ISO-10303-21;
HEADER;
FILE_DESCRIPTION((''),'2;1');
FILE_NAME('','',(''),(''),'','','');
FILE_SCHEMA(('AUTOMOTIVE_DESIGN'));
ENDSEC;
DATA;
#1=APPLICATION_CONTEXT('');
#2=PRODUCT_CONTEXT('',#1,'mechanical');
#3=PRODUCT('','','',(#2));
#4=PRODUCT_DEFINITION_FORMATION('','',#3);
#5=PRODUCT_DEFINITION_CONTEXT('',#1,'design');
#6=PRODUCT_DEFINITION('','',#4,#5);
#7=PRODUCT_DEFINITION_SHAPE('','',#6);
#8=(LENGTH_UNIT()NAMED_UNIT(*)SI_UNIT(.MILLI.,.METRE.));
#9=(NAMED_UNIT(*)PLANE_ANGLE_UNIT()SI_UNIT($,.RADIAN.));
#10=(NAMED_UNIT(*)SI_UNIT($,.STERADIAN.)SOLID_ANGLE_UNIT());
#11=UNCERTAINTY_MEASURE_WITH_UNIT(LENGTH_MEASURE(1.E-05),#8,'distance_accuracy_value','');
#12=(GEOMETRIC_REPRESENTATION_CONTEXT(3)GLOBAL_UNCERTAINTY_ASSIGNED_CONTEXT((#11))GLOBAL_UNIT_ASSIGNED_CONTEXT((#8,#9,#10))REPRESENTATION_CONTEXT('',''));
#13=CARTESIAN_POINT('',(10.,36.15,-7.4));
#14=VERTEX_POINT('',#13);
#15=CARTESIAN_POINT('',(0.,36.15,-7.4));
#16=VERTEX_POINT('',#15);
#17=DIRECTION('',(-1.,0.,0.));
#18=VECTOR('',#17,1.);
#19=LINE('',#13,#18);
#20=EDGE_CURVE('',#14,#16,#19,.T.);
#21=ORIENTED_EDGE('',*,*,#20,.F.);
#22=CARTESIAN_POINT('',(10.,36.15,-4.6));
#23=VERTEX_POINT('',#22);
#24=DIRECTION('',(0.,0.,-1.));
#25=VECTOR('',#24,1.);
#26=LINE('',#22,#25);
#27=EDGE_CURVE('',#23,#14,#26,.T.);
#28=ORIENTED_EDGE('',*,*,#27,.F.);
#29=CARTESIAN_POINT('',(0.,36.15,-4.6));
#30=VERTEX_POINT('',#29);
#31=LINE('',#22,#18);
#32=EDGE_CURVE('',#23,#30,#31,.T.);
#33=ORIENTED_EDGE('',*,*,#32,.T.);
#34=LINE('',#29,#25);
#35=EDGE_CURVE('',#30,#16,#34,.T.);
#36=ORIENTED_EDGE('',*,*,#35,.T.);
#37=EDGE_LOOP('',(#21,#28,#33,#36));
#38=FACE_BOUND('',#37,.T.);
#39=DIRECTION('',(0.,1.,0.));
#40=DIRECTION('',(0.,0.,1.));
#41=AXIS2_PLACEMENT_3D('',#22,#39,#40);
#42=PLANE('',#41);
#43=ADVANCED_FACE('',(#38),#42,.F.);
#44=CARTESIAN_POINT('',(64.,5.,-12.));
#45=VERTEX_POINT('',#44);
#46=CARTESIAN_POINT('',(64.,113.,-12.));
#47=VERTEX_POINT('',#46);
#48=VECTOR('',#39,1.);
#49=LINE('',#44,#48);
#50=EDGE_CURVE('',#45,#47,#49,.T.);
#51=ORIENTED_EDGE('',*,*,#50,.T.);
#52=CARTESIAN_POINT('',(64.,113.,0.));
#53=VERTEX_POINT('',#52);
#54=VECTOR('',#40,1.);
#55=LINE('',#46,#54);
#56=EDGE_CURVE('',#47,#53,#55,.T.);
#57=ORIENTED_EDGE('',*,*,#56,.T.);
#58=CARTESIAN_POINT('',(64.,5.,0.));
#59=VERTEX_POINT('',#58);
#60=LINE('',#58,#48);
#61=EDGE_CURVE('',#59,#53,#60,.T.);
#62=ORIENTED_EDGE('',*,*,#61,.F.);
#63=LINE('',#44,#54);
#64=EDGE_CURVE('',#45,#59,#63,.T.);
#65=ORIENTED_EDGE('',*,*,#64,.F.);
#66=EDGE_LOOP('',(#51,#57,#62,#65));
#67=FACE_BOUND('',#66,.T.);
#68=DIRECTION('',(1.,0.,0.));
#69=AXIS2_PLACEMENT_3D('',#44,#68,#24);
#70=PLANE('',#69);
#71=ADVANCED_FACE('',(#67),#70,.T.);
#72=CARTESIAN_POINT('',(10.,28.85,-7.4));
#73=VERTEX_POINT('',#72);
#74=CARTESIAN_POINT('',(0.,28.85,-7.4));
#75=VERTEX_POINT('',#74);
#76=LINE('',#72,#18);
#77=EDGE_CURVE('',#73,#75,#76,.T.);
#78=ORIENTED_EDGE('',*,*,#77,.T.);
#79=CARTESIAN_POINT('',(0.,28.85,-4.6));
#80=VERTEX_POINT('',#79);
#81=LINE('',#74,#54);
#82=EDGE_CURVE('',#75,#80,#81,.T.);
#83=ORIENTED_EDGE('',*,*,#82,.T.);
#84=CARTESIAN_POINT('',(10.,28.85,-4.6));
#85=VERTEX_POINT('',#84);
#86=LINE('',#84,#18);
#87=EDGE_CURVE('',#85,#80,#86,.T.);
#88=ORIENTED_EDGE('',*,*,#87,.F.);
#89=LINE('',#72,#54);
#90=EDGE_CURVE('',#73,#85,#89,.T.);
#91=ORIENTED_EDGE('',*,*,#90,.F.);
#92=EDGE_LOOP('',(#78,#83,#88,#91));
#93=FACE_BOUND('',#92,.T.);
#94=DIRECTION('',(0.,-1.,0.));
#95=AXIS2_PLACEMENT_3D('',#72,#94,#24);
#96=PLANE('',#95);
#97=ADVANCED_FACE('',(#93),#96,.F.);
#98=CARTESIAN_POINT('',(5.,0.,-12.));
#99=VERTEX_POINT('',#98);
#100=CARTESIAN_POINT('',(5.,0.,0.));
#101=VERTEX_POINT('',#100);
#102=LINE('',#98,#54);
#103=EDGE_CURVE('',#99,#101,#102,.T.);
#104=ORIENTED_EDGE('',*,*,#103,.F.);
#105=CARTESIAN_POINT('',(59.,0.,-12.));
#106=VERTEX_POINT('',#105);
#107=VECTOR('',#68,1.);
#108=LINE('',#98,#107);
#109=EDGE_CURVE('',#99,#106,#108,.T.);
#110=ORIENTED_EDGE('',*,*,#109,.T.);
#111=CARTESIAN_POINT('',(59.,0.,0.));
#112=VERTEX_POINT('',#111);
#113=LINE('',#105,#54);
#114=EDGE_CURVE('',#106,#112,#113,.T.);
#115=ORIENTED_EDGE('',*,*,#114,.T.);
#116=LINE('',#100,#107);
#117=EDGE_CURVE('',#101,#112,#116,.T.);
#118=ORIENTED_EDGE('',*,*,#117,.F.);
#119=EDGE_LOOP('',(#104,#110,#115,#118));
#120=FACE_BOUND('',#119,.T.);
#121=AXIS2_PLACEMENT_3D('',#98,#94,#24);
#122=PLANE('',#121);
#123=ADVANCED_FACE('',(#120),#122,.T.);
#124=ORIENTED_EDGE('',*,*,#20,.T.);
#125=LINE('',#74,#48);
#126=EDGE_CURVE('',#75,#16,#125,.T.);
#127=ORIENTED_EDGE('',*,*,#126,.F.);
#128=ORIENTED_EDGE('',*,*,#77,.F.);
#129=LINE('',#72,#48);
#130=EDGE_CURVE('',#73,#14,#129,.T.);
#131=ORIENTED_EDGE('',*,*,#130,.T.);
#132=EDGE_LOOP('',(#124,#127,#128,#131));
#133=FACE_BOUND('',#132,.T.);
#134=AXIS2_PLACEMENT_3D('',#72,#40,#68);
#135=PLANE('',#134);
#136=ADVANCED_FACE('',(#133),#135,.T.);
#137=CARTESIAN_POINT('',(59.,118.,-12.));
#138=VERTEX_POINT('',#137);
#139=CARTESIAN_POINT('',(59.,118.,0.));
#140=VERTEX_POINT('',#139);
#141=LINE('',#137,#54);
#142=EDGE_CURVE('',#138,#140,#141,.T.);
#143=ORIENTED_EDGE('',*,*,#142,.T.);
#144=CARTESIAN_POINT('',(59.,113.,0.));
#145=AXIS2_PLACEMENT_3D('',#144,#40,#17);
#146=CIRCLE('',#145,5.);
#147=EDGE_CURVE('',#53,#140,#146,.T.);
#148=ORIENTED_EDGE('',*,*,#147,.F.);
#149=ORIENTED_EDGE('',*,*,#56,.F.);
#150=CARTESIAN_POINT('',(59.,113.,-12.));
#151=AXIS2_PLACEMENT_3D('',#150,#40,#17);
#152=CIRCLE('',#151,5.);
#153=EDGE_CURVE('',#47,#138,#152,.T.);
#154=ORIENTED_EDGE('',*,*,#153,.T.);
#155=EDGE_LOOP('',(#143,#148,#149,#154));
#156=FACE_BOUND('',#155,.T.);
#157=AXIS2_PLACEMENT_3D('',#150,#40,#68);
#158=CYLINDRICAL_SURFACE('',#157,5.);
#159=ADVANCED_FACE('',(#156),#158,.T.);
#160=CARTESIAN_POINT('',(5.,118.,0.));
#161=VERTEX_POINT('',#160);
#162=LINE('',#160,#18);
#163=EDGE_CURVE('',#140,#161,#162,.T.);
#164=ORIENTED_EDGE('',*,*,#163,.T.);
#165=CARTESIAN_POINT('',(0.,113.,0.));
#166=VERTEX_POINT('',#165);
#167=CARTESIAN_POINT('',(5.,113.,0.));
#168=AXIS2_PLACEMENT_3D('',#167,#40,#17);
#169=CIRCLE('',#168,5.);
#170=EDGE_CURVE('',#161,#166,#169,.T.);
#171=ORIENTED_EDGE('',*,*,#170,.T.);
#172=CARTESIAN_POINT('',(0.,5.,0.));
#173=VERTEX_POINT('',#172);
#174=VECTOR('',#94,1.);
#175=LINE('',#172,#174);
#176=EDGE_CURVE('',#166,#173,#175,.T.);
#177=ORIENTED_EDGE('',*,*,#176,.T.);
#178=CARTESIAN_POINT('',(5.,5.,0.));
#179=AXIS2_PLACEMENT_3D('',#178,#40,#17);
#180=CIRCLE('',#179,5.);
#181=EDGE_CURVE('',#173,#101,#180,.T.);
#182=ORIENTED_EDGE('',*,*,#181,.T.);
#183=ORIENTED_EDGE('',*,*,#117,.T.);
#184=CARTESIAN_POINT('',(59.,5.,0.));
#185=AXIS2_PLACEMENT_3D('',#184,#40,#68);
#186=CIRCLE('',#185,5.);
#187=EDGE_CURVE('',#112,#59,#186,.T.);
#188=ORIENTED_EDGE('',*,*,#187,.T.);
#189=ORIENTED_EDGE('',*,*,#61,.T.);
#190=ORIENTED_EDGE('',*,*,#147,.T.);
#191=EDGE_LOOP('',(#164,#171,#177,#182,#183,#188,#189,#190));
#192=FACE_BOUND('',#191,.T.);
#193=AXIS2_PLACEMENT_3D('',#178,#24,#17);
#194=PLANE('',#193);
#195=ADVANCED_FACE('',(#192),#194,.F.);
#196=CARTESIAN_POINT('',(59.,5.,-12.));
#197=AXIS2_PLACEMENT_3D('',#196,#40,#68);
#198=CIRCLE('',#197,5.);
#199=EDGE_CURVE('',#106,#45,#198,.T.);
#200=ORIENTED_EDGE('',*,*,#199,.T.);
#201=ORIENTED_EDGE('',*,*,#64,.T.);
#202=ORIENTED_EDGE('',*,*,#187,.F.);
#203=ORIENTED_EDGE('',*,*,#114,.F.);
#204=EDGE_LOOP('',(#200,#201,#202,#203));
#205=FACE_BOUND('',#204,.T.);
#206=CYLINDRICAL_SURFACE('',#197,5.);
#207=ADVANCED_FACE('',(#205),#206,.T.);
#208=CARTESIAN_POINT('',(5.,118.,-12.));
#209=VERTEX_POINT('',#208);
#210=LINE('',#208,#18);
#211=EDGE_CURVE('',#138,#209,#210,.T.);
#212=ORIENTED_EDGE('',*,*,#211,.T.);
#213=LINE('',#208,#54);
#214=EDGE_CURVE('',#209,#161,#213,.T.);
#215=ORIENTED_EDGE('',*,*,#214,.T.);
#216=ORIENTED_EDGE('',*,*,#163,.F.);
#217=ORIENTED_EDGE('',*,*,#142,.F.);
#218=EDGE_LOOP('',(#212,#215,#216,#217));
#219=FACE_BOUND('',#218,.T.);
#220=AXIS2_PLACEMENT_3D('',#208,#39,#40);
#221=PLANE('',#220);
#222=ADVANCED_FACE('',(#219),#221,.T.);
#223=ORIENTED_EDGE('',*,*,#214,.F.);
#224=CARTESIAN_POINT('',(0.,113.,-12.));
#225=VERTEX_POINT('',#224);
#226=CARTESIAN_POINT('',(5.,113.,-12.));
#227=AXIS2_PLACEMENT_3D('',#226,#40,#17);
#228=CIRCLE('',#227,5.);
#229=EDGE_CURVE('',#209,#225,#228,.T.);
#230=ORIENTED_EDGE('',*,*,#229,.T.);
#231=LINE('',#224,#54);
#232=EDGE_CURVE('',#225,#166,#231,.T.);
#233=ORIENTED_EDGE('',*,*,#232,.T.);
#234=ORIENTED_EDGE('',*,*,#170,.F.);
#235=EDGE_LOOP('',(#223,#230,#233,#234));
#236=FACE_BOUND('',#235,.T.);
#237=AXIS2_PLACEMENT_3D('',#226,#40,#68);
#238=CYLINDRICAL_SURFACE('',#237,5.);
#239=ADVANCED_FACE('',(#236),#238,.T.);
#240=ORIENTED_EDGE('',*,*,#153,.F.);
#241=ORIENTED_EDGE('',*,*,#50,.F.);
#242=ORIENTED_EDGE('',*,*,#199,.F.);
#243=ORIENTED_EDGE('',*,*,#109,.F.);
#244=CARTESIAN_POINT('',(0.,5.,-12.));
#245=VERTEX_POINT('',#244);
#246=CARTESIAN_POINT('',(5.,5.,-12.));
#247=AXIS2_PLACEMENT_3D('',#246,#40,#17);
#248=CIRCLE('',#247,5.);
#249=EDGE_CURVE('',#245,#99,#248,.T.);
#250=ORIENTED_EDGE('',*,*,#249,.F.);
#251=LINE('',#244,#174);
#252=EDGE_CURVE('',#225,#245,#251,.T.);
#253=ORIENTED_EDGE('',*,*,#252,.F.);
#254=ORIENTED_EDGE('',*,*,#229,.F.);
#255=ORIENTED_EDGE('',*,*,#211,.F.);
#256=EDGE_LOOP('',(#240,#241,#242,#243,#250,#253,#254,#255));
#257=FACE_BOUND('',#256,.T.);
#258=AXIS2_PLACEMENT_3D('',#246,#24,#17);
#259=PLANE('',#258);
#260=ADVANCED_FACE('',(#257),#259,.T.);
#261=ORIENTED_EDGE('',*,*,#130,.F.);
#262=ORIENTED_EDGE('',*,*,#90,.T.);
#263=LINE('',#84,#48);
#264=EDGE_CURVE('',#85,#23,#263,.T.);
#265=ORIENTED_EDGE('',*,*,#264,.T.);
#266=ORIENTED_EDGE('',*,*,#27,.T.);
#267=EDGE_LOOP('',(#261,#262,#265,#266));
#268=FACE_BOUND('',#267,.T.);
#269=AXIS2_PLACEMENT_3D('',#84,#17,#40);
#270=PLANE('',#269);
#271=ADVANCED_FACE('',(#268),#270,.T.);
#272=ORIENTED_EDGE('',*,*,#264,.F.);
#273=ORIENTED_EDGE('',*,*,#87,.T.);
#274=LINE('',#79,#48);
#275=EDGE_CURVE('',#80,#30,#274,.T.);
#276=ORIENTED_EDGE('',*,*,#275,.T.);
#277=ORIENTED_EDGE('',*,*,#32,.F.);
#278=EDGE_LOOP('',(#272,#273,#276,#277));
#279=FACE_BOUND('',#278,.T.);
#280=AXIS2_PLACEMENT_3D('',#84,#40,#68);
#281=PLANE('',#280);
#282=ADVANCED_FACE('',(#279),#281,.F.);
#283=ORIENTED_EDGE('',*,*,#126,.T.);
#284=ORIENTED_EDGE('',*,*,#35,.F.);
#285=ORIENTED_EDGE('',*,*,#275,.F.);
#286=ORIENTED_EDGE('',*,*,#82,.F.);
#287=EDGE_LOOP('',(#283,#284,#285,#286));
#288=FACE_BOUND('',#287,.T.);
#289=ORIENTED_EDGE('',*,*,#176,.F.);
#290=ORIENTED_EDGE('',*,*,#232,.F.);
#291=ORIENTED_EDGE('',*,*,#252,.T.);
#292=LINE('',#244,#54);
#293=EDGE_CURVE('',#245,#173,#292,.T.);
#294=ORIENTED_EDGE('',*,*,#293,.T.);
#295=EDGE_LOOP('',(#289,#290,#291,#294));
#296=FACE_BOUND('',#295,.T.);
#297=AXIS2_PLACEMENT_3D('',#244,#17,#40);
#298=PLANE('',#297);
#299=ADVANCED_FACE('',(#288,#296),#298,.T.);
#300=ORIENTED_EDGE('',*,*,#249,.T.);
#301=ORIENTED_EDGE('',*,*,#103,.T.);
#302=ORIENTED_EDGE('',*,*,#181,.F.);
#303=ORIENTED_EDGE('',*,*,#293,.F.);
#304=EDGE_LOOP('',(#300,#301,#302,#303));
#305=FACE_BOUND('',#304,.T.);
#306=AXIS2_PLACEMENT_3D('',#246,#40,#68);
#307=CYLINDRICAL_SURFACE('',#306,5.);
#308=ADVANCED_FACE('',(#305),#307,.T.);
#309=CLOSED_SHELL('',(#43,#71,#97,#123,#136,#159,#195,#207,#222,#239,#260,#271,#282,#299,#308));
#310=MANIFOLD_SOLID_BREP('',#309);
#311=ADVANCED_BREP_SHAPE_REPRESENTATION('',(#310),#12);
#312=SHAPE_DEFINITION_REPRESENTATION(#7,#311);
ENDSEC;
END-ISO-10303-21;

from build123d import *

# Parameters (mm, degrees)
BOSS_EXTRUDE1_DEPTH = 12
SKETCH2_W           = 2.8
SKETCH2_H           = 7.3
CUT_EXTRUDE1_DEPTH  = 10


with BuildPart() as part:
    # Sketch1 → Boss-Extrude1 (new body)
    with BuildSketch(Plane.XY):
        with BuildLine():
            Line((5, 0), (59, 0))
            ThreePointArc((59, 0), (62.535533906, 1.464466094), (64, 5))
            Line((64, 5), (64, 113))
            ThreePointArc((64, 113), (62.535533906, 116.535533906), (59, 118))
            Line((59, 118), (5, 118))
            ThreePointArc((5, 118), (1.464466094, 116.535533906), (0, 113))
            Line((0, 113), (0, 5))
            ThreePointArc((0, 5), (1.464466094, 1.464466094), (5, 0))
        make_face()
    extrude(amount=-BOSS_EXTRUDE1_DEPTH)

    # Sketch2 → Cut-Extrude1 (cut)
    with BuildSketch(Plane(origin=(0, 0, 0), x_dir=(0, 0, -1), z_dir=(1, 0, 0))):
        with Locations((6, 32.5)):
            Rectangle(SKETCH2_W, SKETCH2_H)
    extrude(amount=CUT_EXTRUDE1_DEPTH, mode=Mode.SUBTRACT)


solid = part.part
